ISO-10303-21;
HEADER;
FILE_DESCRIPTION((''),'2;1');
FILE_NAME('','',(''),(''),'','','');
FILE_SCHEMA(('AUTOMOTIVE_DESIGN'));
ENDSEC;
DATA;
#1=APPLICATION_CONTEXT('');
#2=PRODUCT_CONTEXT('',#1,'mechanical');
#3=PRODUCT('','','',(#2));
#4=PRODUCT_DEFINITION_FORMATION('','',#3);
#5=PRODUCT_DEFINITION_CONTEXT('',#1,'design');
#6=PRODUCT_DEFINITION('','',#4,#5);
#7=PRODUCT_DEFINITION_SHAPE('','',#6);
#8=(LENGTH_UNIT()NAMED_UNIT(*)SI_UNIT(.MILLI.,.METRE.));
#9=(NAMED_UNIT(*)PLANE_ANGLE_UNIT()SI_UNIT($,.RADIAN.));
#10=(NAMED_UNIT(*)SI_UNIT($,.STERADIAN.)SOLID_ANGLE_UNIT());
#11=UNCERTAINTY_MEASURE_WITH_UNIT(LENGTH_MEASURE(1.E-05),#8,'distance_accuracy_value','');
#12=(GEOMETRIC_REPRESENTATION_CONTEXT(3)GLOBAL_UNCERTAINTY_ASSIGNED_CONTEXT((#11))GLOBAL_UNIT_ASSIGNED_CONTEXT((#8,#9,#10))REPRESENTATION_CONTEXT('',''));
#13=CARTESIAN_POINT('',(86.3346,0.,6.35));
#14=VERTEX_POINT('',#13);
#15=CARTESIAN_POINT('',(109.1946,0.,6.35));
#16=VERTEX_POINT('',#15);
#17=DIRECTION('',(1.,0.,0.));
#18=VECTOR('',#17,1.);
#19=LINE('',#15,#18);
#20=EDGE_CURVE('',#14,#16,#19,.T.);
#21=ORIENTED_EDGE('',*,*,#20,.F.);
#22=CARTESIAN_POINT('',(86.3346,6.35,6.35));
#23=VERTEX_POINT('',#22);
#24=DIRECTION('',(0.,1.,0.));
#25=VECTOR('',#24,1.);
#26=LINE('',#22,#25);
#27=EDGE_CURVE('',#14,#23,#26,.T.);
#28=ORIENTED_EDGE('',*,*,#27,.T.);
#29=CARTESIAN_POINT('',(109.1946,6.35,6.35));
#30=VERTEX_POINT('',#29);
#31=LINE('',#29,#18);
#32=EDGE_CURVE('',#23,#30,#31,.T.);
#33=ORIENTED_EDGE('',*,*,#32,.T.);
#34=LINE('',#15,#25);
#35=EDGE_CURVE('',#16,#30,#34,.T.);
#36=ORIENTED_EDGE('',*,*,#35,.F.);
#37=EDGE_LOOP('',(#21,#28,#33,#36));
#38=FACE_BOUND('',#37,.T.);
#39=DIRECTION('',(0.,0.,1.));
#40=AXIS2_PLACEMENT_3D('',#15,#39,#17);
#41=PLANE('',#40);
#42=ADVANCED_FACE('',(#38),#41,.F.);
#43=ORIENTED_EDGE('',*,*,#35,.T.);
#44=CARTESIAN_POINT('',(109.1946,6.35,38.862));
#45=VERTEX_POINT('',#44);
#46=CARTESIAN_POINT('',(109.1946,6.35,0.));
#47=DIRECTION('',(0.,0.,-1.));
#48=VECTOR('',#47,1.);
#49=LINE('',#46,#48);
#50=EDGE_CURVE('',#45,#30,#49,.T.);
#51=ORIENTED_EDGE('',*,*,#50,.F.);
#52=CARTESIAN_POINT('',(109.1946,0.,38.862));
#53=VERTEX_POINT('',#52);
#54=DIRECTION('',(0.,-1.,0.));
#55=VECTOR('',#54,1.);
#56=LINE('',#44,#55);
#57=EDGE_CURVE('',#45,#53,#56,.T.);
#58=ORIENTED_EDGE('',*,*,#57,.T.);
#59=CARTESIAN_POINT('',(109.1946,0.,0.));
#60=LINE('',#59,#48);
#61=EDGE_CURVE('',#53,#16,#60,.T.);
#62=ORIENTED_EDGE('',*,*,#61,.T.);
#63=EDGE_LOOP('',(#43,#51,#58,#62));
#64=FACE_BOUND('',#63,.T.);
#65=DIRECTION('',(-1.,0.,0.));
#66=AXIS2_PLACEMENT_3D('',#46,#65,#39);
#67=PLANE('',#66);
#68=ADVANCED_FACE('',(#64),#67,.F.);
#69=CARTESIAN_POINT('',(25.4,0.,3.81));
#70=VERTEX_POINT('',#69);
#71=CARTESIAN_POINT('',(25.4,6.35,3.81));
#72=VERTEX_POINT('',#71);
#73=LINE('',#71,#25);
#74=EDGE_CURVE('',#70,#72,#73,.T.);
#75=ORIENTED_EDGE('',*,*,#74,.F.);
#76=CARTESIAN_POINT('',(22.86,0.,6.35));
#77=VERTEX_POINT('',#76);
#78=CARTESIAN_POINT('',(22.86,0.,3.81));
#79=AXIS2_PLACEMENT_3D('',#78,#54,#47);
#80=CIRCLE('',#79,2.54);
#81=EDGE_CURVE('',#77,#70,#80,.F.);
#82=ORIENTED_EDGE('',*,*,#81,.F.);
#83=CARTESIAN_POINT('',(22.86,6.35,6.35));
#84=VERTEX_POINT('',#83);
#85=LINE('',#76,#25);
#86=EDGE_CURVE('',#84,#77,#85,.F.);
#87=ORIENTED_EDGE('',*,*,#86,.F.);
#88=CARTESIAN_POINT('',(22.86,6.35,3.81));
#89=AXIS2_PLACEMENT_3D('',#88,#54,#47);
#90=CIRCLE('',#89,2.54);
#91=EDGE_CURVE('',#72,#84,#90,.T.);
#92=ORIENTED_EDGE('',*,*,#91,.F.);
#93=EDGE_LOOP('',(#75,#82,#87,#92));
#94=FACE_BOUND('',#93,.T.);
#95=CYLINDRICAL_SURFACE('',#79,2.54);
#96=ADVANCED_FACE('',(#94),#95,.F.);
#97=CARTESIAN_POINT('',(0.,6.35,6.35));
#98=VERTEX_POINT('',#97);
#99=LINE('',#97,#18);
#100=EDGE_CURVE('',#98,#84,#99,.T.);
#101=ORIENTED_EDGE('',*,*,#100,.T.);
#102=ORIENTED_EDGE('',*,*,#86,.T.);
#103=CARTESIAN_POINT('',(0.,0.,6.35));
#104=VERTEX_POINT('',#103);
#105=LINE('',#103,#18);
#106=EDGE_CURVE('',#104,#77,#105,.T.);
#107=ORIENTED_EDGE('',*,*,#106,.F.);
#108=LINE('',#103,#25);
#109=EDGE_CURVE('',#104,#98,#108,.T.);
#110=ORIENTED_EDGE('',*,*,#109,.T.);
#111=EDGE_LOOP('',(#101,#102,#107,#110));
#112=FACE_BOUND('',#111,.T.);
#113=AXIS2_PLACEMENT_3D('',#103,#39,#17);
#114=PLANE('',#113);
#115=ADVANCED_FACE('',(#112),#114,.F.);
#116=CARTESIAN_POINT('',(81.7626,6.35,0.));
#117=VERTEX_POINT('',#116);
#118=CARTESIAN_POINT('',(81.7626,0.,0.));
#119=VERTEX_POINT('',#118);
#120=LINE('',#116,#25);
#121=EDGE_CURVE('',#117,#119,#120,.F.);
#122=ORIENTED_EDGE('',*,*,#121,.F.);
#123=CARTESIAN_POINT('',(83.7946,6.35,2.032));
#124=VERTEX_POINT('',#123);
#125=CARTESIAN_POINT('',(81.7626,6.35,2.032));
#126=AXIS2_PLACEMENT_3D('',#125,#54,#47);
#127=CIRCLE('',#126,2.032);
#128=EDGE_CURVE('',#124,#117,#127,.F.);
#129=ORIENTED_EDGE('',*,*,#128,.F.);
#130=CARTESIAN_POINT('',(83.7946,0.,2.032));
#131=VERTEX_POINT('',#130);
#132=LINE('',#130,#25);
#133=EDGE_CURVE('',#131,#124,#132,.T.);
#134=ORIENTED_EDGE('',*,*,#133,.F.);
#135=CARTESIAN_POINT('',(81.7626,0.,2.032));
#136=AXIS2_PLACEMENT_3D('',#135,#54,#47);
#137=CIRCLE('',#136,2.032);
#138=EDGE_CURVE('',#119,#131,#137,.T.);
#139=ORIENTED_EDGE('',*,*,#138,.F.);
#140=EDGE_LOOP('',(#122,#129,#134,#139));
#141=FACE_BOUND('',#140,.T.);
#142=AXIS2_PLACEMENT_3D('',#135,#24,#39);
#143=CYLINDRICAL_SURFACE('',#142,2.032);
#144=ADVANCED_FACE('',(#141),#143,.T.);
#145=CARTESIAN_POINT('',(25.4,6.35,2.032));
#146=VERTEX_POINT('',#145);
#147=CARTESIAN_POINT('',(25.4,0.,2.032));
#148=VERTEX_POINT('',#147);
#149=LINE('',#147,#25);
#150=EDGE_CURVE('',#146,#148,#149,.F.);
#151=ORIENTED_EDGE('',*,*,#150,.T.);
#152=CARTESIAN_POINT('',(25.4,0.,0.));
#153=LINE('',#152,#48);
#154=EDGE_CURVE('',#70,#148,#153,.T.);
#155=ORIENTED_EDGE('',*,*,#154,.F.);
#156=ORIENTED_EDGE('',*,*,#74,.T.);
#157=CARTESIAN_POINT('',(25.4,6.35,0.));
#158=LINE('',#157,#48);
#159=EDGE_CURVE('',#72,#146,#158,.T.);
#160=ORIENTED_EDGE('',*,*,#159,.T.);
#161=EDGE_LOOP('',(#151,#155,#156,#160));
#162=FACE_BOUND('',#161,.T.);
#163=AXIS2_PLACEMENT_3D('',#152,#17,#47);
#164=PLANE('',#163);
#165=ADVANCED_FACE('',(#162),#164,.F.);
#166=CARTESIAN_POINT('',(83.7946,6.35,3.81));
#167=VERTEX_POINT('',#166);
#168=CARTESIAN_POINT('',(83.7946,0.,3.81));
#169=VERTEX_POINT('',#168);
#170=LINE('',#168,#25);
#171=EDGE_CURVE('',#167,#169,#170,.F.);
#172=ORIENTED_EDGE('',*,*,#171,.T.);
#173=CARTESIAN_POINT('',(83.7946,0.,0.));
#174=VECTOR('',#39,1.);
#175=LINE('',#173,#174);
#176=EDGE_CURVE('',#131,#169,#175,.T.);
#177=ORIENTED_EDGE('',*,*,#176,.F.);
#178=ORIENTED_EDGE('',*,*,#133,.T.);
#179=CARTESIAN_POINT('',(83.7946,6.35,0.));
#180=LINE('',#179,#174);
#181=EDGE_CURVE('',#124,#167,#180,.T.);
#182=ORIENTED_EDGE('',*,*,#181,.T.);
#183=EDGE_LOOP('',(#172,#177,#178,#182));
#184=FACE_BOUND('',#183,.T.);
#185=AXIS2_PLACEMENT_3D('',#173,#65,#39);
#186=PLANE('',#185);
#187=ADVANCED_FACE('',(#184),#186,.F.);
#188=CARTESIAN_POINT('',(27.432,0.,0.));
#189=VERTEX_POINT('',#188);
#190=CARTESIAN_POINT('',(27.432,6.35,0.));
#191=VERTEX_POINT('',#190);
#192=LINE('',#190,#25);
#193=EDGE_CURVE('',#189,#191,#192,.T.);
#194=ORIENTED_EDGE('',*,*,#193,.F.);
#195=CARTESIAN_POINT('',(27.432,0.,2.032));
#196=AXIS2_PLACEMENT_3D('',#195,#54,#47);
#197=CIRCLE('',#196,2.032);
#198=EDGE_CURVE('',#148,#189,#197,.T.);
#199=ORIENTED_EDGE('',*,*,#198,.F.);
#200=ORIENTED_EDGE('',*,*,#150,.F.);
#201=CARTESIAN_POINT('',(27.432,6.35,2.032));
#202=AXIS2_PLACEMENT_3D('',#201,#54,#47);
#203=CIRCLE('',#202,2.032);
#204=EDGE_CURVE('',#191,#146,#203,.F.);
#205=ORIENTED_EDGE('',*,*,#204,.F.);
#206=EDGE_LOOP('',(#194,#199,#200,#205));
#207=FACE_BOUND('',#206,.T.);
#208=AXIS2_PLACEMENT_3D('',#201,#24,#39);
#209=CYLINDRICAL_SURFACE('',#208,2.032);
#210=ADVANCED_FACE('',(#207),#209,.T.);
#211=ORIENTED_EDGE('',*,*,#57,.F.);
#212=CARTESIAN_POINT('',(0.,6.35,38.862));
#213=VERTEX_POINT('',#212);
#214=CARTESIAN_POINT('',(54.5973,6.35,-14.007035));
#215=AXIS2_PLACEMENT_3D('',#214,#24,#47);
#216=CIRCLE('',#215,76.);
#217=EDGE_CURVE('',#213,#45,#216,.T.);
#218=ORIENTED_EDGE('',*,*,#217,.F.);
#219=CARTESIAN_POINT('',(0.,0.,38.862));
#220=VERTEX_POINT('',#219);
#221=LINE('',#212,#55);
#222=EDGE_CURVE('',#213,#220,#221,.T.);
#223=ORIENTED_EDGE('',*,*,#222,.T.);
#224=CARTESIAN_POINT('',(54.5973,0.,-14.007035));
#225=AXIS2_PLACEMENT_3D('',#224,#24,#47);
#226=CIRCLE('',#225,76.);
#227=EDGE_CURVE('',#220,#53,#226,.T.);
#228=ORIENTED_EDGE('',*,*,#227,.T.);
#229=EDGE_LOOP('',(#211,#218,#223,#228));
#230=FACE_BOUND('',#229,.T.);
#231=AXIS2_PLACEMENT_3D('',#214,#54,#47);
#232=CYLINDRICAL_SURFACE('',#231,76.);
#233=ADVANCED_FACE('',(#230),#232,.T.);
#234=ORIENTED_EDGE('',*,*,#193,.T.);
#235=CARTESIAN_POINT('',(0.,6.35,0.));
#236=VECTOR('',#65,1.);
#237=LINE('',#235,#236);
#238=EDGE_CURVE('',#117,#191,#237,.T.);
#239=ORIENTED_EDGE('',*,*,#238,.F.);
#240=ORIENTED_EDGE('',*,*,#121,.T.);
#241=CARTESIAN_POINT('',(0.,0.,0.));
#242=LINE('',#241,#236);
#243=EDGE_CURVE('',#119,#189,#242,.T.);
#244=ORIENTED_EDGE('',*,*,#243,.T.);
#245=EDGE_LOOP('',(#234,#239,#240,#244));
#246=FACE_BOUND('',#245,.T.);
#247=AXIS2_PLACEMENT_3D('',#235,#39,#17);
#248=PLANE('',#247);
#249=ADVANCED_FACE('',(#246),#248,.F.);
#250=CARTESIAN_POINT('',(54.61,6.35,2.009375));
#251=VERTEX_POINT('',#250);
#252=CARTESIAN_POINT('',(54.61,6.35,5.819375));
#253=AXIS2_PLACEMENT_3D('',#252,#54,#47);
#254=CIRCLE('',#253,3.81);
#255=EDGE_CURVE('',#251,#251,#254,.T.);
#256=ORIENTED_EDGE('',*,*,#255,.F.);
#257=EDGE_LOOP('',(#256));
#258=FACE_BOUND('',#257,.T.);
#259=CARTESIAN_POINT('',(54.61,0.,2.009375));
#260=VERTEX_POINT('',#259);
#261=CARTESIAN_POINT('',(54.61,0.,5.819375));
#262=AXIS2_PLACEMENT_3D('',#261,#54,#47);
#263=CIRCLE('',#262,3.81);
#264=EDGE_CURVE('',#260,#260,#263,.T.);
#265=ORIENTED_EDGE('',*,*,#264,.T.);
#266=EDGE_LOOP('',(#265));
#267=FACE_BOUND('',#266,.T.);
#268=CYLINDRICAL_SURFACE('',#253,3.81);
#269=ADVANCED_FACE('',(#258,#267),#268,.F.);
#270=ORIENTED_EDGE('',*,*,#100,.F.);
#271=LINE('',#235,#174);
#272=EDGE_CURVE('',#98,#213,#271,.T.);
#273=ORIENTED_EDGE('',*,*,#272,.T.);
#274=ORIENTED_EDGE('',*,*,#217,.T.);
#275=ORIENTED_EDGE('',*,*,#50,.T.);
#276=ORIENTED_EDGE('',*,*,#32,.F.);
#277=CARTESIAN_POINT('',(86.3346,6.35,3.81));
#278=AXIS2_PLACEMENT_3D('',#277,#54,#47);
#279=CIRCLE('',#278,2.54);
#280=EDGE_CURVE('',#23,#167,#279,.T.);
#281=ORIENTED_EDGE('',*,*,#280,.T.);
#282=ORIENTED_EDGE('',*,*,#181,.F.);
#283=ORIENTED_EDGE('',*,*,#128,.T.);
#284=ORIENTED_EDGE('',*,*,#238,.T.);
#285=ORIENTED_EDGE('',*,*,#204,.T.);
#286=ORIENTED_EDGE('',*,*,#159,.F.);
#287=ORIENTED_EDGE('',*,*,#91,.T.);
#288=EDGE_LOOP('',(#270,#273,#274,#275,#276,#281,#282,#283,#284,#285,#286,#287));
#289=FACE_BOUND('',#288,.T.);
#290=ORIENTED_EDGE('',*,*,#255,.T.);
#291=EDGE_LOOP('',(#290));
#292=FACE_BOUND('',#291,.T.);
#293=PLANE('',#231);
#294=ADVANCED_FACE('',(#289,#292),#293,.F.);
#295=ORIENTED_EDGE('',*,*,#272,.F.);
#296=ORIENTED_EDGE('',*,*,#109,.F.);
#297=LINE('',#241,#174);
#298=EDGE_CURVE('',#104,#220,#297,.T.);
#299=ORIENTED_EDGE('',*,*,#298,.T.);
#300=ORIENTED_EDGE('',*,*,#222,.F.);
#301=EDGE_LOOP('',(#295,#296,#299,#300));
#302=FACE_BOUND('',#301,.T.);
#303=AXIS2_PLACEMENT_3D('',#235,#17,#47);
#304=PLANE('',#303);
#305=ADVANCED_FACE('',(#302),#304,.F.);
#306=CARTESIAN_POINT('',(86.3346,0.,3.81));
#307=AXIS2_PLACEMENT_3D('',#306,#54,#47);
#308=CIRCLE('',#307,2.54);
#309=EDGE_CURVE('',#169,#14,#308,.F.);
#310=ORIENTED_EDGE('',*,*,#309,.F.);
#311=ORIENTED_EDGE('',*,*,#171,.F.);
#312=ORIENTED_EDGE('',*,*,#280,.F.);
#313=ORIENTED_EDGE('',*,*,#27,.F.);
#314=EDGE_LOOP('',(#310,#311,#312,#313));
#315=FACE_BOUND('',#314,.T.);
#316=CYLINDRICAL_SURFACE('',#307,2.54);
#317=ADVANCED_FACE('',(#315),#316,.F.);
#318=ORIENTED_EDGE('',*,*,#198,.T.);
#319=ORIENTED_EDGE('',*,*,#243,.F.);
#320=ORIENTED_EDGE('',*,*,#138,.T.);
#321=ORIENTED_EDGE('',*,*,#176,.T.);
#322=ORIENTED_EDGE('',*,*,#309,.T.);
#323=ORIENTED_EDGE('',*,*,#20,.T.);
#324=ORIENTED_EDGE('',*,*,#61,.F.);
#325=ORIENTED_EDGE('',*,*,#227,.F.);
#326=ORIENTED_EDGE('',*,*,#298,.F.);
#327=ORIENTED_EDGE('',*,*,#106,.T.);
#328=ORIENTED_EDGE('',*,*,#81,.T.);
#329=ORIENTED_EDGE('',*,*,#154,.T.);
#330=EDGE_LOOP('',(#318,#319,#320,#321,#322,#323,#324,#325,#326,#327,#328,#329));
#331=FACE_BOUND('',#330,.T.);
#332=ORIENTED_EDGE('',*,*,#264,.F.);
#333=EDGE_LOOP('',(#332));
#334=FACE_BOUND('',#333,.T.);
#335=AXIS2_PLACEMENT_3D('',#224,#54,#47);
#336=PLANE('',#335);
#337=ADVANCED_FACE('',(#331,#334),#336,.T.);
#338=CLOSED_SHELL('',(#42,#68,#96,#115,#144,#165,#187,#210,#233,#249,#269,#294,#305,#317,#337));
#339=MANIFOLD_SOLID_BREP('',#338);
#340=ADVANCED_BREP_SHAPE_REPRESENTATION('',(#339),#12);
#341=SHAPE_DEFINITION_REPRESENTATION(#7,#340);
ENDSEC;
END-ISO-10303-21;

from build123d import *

# Parameters (mm, degrees)
BOSS_EXTRUDE2_DEPTH = 6.35
SKETCH10_W          = 25.4
SKETCH10_H          = 6.35
CUT_EXTRUDE1_DEPTH  = 7.35
FILLET1_R           = 2.54
FILLET2_R           = 2.032
SKETCH11_R          = 3.81
CUT_EXTRUDE2_DEPTH  = 7.35


with BuildPart() as part:
    # Sketch6 → Boss-Extrude2 (new body)
    with BuildSketch(Plane(origin=(0, 0, 0), x_dir=(1, 0, 0), z_dir=(0, 1, 0))):
        with BuildLine():
            Line((0, 0), (109.1946, 0))
            Line((109.1946, 0), (109.1946, -38.862))
            ThreePointArc((109.1946, -38.862), (54.5973, -61.992965275), (0, -38.862))
            Line((0, -38.862), (0, 0))
        make_face()
    extrude(amount=BOSS_EXTRUDE2_DEPTH)

    # Sketch10 → Cut-Extrude1 (cut, through all)
    with BuildSketch(Plane(origin=(0, 6.35, 0), x_dir=(1, 0, 0), z_dir=(0, 1, 0))):
        with Locations((96.4946, -3.175)):
            Rectangle(SKETCH10_W, SKETCH10_H)
        with Locations((12.7, -3.175)):
            Rectangle(SKETCH10_W, SKETCH10_H)
    extrude(amount=-CUT_EXTRUDE1_DEPTH, mode=Mode.SUBTRACT)

    # Fillet1
    fillet1_edges = [part.edges().sort_by_distance(p)[0] for p in [
        (25.4, 3.175, 6.35),
        (83.7946, 3.175, 6.35),
    ]]
    fillet(fillet1_edges, radius=FILLET1_R)

    # Fillet2
    fillet2_edges = [part.edges().sort_by_distance(p)[0] for p in [
        (25.4, 3.175, 0),
        (83.7946, 3.175, 0),
    ]]
    fillet(fillet2_edges, radius=FILLET2_R)

    # Sketch11 → Cut-Extrude2 (cut, through all)
    with BuildSketch(Plane.XZ):
        with Locations((54.61, 5.819375203)):
            Circle(SKETCH11_R)
    extrude(amount=-CUT_EXTRUDE2_DEPTH, mode=Mode.SUBTRACT)


solid = part.part
